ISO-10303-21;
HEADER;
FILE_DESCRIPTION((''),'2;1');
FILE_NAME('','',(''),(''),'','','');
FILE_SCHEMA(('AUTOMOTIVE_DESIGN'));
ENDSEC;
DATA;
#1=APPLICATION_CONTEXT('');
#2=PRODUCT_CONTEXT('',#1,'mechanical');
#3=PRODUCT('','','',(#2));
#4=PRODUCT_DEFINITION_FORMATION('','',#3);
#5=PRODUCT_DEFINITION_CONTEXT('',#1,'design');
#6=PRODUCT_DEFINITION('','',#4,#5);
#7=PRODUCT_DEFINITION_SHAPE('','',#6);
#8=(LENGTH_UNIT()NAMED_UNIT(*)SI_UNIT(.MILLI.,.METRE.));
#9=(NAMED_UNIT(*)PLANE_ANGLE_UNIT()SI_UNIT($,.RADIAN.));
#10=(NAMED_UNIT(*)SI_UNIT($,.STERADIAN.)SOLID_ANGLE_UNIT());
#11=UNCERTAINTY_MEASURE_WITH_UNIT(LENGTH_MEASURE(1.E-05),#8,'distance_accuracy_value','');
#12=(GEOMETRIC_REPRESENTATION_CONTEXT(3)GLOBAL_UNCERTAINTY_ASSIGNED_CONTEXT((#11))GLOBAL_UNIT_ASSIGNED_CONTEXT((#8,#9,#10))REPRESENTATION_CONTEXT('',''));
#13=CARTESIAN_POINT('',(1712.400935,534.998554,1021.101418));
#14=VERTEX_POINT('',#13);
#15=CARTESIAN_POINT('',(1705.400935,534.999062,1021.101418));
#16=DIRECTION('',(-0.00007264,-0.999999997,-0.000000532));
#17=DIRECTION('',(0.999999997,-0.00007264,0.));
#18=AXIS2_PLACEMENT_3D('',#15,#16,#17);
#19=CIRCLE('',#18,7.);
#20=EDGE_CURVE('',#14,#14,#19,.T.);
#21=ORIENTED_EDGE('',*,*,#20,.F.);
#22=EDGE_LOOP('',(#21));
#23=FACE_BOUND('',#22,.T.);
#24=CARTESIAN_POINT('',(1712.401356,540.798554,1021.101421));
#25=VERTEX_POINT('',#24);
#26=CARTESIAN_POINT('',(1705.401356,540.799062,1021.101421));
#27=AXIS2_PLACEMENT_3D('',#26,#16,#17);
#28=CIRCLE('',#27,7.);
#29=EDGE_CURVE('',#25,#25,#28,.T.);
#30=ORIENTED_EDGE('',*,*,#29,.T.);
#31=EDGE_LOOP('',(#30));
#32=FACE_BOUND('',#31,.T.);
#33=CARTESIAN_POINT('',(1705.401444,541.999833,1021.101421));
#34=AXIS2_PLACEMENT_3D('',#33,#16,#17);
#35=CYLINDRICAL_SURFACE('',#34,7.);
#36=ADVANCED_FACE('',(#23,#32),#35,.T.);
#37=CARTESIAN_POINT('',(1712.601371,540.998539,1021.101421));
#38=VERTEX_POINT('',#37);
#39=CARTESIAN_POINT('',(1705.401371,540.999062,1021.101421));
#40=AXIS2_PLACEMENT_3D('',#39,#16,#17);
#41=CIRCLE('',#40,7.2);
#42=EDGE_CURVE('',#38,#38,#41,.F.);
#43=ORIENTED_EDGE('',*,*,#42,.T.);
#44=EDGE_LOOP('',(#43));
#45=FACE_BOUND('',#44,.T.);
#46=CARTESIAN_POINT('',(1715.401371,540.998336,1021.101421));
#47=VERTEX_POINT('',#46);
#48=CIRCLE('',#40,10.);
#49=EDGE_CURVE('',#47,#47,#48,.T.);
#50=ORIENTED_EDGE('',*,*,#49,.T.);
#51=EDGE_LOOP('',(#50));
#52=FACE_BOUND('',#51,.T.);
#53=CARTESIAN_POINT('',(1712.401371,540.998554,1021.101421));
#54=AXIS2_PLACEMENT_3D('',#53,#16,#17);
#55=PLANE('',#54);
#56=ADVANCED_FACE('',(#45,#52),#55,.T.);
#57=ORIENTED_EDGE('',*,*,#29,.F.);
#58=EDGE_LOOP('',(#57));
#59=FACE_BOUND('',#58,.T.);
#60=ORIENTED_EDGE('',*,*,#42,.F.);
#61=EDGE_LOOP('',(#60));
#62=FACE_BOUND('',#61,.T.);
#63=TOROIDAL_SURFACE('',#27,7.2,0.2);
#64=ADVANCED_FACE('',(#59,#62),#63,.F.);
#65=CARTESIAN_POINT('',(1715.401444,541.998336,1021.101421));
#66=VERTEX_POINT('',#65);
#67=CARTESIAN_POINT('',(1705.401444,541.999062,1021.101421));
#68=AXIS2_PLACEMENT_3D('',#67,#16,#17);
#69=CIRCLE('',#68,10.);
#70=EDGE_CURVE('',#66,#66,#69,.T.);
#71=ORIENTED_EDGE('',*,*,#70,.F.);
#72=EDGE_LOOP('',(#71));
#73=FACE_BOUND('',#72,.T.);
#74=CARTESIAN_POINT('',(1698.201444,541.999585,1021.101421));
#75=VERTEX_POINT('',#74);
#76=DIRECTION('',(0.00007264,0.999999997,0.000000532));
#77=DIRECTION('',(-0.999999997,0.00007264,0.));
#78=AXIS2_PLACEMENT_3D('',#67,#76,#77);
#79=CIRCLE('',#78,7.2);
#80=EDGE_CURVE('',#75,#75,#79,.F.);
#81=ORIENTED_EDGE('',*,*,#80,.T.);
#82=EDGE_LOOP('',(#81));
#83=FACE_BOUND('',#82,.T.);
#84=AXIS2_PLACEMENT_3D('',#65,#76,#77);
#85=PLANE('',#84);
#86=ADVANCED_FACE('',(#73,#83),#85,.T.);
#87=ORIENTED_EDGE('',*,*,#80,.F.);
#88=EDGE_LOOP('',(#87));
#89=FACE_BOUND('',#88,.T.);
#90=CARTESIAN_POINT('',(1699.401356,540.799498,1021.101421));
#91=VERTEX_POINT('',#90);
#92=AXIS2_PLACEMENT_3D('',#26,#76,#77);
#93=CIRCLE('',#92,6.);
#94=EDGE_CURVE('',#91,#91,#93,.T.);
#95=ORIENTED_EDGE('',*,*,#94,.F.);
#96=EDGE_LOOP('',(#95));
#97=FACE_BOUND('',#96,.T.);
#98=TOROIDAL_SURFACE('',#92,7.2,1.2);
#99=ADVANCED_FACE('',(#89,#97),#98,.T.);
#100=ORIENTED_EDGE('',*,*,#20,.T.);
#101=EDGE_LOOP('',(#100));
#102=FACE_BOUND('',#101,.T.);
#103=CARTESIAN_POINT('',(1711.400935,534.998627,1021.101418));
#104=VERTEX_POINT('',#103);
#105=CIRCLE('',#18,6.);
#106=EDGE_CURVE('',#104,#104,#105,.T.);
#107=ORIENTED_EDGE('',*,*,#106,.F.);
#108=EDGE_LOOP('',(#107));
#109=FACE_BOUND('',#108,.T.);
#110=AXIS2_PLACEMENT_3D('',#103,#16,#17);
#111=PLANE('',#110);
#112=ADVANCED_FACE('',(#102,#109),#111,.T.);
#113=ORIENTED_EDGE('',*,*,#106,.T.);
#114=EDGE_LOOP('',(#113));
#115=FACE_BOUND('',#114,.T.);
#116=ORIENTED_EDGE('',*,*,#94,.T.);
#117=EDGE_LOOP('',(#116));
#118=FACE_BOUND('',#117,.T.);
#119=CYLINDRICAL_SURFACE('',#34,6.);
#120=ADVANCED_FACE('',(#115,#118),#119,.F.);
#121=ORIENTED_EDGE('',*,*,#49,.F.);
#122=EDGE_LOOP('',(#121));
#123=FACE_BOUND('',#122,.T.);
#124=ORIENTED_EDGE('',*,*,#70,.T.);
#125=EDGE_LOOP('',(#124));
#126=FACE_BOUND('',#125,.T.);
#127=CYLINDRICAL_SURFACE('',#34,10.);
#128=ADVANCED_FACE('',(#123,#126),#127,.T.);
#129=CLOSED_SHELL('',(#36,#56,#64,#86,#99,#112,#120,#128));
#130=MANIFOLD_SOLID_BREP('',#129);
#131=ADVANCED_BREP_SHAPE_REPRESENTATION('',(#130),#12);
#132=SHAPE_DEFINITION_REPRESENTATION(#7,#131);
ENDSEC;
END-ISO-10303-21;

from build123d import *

# Parameters (mm, degrees)
CONG_0_2_R = 0.2
CONG_1_2_R = 1.2


with BuildPart() as part:
    # Esquisse1 → Base-Révolution (revolve)
    with BuildSketch(Plane(origin=(0, -0.000542726, 1021.101133201), x_dir=(1, 0, 0), z_dir=(0, -5.315106892389565e-07, 0.9999999999998588))):
        Polygon((1715.401443519, 541.998878787), (1711.40144353, 541.999169346), (1711.400935051, 534.999169365), (1712.400935049, 534.999096725), (1712.401370888, 540.999096709), (1715.40137088, 540.99887879), align=None)
    revolve(axis=Axis((1705.401443602, 541.999832964, 1021.10142128), (-7.263980373159368e-05, -0.9999999973615882, -5.315107006836232e-07)))

    # Congé0.2
    cong_0_2_edges = [part.edges().sort_by_distance(p)[0] for p in [
        (1698.401370924, 540.99957094, 1021.101420749),
    ]]
    fillet(cong_0_2_edges, radius=CONG_0_2_R)

    # Congé1.2
    cong_1_2_edges = [part.edges().sort_by_distance(p)[0] for p in [
        (1699.401443562, 541.999498298, 1021.10142128),
    ]]
    fillet(cong_1_2_edges, radius=CONG_1_2_R)


solid = part.part
